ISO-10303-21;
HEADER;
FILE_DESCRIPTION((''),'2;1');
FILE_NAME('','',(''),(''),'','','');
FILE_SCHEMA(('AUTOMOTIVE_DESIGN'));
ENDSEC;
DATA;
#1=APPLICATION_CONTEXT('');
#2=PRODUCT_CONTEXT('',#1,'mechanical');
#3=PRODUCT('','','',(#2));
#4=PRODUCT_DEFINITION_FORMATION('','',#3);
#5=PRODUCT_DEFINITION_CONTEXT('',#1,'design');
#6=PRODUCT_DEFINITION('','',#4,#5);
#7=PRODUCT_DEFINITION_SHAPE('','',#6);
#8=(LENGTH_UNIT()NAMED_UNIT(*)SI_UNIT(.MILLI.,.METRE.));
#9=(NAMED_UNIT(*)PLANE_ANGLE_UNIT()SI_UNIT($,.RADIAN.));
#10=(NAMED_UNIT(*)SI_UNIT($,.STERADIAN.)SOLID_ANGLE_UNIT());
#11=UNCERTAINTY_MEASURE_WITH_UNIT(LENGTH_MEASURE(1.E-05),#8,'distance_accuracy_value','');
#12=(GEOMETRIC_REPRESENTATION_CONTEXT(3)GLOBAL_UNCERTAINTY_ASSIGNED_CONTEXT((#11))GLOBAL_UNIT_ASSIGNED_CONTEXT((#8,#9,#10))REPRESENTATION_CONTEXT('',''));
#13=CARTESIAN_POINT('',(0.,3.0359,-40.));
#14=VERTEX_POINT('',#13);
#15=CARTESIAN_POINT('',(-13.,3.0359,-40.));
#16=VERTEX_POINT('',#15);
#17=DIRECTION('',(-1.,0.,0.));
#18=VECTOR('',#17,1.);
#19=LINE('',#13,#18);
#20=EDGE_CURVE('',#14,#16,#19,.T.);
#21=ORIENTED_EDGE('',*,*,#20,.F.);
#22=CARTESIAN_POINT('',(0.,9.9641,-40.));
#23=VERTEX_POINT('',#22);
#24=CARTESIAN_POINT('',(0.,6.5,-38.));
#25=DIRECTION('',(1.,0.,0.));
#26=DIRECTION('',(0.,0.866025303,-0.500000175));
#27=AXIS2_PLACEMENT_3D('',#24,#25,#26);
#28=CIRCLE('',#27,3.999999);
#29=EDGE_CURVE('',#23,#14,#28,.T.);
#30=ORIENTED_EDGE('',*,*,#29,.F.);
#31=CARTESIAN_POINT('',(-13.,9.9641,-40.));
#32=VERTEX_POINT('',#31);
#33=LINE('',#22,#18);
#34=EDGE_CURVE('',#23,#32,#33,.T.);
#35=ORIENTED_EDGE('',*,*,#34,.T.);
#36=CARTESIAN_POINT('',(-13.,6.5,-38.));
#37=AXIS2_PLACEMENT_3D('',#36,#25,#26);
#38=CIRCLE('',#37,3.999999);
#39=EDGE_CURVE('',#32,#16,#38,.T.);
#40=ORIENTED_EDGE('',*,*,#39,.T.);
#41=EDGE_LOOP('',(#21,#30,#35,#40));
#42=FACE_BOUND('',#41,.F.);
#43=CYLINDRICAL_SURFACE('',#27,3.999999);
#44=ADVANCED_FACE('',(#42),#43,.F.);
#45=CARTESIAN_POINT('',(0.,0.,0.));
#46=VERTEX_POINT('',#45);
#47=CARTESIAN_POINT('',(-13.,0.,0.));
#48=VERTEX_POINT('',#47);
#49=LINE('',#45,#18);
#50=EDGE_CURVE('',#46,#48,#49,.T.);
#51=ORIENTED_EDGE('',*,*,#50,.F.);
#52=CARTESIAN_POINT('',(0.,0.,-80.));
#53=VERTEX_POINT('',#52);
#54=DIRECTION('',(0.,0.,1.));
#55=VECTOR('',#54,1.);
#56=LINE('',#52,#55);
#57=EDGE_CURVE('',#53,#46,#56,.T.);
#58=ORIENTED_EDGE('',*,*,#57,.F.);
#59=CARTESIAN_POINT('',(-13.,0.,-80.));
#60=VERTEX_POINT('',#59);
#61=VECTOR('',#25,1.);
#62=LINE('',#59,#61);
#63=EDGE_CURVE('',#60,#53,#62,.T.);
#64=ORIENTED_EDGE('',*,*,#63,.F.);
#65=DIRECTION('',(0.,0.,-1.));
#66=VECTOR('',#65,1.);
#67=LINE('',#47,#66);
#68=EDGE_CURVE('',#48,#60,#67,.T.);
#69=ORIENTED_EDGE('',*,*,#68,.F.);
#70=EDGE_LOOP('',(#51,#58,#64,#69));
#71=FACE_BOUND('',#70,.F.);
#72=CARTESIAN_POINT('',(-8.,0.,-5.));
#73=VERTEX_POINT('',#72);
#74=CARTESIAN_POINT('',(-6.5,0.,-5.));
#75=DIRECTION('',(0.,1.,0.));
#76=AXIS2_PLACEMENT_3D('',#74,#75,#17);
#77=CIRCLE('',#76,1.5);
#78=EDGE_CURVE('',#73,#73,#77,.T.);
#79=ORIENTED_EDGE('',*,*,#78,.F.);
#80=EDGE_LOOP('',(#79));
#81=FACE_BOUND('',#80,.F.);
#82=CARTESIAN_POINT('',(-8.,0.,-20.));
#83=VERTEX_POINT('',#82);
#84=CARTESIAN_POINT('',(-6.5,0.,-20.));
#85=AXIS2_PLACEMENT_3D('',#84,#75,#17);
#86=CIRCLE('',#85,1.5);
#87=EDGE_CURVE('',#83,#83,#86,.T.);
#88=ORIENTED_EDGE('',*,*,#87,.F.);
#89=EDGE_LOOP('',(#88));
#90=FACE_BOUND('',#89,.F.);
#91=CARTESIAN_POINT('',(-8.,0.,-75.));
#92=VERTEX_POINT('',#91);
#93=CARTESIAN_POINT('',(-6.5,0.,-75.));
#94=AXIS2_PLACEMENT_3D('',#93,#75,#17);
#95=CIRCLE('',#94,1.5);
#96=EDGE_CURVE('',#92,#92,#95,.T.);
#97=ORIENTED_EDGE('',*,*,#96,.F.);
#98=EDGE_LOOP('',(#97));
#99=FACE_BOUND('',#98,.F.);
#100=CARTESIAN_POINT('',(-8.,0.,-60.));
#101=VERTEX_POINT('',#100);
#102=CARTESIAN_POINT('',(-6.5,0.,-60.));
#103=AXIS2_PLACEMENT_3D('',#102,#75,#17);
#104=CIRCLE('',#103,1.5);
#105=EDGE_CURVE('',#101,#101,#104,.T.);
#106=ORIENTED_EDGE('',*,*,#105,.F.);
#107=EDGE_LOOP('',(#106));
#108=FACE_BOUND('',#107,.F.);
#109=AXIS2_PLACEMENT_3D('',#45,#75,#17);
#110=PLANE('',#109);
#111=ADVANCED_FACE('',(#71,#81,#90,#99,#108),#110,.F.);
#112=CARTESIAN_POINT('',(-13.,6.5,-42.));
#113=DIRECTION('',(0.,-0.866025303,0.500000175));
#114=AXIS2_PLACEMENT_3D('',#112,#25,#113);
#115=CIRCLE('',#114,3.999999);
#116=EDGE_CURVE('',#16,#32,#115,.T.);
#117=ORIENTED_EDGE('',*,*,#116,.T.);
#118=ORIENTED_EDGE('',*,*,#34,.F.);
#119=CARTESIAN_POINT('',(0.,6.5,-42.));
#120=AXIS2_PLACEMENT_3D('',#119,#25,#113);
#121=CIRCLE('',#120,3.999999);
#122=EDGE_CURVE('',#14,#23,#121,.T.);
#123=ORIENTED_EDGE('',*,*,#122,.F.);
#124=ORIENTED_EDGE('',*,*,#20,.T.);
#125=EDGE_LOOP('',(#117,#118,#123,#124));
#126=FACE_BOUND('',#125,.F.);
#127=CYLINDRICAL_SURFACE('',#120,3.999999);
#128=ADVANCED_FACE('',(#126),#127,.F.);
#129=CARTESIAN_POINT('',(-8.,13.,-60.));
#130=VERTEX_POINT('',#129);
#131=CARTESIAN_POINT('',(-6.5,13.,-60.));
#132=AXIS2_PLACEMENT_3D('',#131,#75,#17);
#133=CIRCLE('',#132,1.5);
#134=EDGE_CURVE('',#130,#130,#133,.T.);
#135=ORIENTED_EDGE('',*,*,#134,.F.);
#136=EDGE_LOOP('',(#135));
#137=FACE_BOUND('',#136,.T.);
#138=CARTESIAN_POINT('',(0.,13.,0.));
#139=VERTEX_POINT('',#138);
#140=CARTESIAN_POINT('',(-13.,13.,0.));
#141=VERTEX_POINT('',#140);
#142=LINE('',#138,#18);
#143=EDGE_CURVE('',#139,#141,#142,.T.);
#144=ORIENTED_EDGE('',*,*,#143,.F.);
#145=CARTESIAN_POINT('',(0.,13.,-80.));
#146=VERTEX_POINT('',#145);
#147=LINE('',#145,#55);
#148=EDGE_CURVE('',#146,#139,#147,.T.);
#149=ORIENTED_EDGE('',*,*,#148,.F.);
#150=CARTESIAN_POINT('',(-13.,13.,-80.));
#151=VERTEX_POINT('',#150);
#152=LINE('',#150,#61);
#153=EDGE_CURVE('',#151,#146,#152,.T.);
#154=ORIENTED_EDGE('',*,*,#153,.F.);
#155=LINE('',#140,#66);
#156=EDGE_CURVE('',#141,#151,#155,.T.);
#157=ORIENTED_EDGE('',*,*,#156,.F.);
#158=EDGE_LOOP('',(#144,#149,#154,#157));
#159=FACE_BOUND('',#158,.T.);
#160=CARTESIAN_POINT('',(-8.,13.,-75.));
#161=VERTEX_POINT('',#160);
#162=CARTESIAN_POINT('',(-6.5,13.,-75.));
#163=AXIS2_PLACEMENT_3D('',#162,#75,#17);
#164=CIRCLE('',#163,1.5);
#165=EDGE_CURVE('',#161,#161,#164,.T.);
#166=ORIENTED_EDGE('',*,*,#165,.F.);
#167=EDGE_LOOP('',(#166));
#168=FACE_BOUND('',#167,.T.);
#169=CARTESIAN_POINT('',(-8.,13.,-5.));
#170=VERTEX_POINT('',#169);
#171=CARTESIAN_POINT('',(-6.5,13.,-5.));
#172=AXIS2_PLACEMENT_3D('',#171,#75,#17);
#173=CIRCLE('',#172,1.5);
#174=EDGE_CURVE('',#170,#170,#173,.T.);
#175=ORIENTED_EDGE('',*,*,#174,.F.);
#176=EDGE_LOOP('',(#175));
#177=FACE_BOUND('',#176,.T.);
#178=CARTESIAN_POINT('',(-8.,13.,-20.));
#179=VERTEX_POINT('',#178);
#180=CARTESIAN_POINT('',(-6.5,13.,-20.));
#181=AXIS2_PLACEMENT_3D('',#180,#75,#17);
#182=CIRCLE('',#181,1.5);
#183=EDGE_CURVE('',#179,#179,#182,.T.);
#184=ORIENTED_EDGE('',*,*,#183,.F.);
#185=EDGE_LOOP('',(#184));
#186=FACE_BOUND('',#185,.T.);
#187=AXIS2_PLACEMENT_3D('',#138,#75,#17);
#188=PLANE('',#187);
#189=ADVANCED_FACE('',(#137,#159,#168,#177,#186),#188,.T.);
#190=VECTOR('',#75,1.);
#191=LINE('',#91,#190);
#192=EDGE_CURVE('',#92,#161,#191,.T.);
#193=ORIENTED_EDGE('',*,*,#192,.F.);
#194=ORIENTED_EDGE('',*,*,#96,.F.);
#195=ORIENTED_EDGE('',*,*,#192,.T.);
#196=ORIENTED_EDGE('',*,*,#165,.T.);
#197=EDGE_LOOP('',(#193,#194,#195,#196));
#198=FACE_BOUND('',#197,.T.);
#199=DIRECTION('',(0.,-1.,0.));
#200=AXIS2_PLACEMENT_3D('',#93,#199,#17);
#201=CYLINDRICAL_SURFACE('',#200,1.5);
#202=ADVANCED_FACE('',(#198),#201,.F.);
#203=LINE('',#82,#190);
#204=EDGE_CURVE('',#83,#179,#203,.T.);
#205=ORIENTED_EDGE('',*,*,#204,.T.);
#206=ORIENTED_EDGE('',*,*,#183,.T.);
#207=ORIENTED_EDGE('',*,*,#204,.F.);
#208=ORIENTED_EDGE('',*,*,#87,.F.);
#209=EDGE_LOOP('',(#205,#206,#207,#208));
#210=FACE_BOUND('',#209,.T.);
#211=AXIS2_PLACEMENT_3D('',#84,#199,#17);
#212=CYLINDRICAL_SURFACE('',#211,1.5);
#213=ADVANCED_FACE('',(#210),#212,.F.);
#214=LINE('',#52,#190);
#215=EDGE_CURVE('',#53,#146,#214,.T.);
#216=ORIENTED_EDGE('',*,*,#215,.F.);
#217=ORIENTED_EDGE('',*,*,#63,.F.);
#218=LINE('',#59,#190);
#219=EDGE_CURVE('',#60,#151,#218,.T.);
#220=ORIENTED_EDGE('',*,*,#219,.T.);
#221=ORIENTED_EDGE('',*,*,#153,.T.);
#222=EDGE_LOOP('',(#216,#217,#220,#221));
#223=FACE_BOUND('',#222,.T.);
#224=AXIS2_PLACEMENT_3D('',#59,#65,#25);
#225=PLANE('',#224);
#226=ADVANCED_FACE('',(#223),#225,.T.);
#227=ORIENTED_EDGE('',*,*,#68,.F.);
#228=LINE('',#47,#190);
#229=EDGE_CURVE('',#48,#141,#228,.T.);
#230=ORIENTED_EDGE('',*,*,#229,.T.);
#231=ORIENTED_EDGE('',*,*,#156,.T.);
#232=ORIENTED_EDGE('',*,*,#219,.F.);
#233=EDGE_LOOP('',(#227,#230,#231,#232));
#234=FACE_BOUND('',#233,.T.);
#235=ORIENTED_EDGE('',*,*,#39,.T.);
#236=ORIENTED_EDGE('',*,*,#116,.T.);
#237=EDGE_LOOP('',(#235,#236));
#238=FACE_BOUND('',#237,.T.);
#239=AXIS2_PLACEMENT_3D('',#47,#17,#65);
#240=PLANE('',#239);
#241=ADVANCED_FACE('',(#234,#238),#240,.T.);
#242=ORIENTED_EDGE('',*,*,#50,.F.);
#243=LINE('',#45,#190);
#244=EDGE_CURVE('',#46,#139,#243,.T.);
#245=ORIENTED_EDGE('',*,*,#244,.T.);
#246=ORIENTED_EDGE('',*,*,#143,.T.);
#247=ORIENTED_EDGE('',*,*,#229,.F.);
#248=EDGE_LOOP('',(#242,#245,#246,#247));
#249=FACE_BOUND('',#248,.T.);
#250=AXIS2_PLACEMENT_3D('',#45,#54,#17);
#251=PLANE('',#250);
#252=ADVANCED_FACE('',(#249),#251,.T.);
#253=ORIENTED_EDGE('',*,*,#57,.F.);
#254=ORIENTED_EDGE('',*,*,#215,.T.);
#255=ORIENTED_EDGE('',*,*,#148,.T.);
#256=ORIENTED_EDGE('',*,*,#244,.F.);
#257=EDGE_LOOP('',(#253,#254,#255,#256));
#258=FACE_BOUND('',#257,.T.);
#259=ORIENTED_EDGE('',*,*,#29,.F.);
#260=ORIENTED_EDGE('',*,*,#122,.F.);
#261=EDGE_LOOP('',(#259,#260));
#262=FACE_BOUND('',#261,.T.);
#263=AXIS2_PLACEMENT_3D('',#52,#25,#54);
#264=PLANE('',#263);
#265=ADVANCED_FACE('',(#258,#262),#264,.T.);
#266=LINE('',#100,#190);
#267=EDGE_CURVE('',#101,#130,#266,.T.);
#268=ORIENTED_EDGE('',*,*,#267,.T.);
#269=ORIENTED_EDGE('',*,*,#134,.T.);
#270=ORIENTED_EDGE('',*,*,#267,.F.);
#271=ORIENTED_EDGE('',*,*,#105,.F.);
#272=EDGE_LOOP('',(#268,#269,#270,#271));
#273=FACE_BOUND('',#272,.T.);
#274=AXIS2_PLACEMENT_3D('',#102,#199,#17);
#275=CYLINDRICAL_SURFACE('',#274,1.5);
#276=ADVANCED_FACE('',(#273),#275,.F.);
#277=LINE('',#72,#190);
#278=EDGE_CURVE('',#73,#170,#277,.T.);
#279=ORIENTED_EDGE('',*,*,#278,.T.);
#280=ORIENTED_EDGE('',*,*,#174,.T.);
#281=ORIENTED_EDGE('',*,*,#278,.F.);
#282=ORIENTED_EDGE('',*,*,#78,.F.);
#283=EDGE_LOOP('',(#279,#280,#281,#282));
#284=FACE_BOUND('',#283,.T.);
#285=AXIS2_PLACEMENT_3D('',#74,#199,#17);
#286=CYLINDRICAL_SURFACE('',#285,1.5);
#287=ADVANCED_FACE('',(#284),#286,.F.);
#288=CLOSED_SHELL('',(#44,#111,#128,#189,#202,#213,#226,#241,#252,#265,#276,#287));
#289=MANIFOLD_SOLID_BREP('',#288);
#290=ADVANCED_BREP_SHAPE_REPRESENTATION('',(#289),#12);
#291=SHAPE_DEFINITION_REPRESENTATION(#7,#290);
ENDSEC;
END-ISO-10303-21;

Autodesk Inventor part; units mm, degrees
ref_plane "YZ Plane" through (0, 0, 0) normal (1, 0, 0) x (0, 1, 0)
ref_plane "XZ Plane" through (0, 0, 0) normal (0, 1, 0) x (-1, 0, 0)
ref_plane "XY Plane" through (0, 0, 0) normal (0, 0, 1) x (1, 0, 0)
sketch "Sketch1" plane through (0, 0, 0) normal (0, 1, 0) x (-1, 0, 0)
  line L0 (0, 0) -> (13, 0)
  line L1 (13, 0) -> (13, -80)
  line L2 (13, -80) -> (0, -80)
  line L3 (0, -80) -> (0, 0)
  circle A0 centre (6.5, -60) radius 1.5
  circle A1 centre (6.5, -75) radius 1.5
  circle A2 centre (6.5, -20) radius 1.5
  circle A3 centre (6.5, -5) radius 1.5
  point P0 (6.5, -80)
  point P1 (6.5, 0)
  dimension "d0" = 13
  dimension "d1" = 80
  dimension "d2" = 3
  dimension "d3" = 20
  dimension "d4" = 3
  dimension "d5" = 5
  dimension "d6" = 3
  dimension "d7" = 3
  dimension "d8" = 5
  dimension "d9" = 20
extrude "Extrusion1" add sketch "Sketch1" along normal blind 13
sketch "Sketch2" plane through (0, 0, 0) normal (1, 0, 0) x (0, 0, -1)
  arc A0 (40, 9.9641) -> (40, 3.0359) centre (38, 6.5) ccw
  arc A1 (40, 3.0359) -> (40, 9.9641) centre (42, 6.5) ccw
  line L0 (0, 13) -> (80, 13) construction
  line L1 (80, 0) -> (80, 13) construction
  point P0 (0, 0)
  point P1 (40, 13)
  point P2 (80, 6.5)
  point P3 (80, 6.5)
  dimension "d12" = 8
  dimension "d13" = 8
extrude "Extrusion2" cut sketch "Sketch2" against normal blind 13
properties part number "celda" material "Aluminum 6061"
